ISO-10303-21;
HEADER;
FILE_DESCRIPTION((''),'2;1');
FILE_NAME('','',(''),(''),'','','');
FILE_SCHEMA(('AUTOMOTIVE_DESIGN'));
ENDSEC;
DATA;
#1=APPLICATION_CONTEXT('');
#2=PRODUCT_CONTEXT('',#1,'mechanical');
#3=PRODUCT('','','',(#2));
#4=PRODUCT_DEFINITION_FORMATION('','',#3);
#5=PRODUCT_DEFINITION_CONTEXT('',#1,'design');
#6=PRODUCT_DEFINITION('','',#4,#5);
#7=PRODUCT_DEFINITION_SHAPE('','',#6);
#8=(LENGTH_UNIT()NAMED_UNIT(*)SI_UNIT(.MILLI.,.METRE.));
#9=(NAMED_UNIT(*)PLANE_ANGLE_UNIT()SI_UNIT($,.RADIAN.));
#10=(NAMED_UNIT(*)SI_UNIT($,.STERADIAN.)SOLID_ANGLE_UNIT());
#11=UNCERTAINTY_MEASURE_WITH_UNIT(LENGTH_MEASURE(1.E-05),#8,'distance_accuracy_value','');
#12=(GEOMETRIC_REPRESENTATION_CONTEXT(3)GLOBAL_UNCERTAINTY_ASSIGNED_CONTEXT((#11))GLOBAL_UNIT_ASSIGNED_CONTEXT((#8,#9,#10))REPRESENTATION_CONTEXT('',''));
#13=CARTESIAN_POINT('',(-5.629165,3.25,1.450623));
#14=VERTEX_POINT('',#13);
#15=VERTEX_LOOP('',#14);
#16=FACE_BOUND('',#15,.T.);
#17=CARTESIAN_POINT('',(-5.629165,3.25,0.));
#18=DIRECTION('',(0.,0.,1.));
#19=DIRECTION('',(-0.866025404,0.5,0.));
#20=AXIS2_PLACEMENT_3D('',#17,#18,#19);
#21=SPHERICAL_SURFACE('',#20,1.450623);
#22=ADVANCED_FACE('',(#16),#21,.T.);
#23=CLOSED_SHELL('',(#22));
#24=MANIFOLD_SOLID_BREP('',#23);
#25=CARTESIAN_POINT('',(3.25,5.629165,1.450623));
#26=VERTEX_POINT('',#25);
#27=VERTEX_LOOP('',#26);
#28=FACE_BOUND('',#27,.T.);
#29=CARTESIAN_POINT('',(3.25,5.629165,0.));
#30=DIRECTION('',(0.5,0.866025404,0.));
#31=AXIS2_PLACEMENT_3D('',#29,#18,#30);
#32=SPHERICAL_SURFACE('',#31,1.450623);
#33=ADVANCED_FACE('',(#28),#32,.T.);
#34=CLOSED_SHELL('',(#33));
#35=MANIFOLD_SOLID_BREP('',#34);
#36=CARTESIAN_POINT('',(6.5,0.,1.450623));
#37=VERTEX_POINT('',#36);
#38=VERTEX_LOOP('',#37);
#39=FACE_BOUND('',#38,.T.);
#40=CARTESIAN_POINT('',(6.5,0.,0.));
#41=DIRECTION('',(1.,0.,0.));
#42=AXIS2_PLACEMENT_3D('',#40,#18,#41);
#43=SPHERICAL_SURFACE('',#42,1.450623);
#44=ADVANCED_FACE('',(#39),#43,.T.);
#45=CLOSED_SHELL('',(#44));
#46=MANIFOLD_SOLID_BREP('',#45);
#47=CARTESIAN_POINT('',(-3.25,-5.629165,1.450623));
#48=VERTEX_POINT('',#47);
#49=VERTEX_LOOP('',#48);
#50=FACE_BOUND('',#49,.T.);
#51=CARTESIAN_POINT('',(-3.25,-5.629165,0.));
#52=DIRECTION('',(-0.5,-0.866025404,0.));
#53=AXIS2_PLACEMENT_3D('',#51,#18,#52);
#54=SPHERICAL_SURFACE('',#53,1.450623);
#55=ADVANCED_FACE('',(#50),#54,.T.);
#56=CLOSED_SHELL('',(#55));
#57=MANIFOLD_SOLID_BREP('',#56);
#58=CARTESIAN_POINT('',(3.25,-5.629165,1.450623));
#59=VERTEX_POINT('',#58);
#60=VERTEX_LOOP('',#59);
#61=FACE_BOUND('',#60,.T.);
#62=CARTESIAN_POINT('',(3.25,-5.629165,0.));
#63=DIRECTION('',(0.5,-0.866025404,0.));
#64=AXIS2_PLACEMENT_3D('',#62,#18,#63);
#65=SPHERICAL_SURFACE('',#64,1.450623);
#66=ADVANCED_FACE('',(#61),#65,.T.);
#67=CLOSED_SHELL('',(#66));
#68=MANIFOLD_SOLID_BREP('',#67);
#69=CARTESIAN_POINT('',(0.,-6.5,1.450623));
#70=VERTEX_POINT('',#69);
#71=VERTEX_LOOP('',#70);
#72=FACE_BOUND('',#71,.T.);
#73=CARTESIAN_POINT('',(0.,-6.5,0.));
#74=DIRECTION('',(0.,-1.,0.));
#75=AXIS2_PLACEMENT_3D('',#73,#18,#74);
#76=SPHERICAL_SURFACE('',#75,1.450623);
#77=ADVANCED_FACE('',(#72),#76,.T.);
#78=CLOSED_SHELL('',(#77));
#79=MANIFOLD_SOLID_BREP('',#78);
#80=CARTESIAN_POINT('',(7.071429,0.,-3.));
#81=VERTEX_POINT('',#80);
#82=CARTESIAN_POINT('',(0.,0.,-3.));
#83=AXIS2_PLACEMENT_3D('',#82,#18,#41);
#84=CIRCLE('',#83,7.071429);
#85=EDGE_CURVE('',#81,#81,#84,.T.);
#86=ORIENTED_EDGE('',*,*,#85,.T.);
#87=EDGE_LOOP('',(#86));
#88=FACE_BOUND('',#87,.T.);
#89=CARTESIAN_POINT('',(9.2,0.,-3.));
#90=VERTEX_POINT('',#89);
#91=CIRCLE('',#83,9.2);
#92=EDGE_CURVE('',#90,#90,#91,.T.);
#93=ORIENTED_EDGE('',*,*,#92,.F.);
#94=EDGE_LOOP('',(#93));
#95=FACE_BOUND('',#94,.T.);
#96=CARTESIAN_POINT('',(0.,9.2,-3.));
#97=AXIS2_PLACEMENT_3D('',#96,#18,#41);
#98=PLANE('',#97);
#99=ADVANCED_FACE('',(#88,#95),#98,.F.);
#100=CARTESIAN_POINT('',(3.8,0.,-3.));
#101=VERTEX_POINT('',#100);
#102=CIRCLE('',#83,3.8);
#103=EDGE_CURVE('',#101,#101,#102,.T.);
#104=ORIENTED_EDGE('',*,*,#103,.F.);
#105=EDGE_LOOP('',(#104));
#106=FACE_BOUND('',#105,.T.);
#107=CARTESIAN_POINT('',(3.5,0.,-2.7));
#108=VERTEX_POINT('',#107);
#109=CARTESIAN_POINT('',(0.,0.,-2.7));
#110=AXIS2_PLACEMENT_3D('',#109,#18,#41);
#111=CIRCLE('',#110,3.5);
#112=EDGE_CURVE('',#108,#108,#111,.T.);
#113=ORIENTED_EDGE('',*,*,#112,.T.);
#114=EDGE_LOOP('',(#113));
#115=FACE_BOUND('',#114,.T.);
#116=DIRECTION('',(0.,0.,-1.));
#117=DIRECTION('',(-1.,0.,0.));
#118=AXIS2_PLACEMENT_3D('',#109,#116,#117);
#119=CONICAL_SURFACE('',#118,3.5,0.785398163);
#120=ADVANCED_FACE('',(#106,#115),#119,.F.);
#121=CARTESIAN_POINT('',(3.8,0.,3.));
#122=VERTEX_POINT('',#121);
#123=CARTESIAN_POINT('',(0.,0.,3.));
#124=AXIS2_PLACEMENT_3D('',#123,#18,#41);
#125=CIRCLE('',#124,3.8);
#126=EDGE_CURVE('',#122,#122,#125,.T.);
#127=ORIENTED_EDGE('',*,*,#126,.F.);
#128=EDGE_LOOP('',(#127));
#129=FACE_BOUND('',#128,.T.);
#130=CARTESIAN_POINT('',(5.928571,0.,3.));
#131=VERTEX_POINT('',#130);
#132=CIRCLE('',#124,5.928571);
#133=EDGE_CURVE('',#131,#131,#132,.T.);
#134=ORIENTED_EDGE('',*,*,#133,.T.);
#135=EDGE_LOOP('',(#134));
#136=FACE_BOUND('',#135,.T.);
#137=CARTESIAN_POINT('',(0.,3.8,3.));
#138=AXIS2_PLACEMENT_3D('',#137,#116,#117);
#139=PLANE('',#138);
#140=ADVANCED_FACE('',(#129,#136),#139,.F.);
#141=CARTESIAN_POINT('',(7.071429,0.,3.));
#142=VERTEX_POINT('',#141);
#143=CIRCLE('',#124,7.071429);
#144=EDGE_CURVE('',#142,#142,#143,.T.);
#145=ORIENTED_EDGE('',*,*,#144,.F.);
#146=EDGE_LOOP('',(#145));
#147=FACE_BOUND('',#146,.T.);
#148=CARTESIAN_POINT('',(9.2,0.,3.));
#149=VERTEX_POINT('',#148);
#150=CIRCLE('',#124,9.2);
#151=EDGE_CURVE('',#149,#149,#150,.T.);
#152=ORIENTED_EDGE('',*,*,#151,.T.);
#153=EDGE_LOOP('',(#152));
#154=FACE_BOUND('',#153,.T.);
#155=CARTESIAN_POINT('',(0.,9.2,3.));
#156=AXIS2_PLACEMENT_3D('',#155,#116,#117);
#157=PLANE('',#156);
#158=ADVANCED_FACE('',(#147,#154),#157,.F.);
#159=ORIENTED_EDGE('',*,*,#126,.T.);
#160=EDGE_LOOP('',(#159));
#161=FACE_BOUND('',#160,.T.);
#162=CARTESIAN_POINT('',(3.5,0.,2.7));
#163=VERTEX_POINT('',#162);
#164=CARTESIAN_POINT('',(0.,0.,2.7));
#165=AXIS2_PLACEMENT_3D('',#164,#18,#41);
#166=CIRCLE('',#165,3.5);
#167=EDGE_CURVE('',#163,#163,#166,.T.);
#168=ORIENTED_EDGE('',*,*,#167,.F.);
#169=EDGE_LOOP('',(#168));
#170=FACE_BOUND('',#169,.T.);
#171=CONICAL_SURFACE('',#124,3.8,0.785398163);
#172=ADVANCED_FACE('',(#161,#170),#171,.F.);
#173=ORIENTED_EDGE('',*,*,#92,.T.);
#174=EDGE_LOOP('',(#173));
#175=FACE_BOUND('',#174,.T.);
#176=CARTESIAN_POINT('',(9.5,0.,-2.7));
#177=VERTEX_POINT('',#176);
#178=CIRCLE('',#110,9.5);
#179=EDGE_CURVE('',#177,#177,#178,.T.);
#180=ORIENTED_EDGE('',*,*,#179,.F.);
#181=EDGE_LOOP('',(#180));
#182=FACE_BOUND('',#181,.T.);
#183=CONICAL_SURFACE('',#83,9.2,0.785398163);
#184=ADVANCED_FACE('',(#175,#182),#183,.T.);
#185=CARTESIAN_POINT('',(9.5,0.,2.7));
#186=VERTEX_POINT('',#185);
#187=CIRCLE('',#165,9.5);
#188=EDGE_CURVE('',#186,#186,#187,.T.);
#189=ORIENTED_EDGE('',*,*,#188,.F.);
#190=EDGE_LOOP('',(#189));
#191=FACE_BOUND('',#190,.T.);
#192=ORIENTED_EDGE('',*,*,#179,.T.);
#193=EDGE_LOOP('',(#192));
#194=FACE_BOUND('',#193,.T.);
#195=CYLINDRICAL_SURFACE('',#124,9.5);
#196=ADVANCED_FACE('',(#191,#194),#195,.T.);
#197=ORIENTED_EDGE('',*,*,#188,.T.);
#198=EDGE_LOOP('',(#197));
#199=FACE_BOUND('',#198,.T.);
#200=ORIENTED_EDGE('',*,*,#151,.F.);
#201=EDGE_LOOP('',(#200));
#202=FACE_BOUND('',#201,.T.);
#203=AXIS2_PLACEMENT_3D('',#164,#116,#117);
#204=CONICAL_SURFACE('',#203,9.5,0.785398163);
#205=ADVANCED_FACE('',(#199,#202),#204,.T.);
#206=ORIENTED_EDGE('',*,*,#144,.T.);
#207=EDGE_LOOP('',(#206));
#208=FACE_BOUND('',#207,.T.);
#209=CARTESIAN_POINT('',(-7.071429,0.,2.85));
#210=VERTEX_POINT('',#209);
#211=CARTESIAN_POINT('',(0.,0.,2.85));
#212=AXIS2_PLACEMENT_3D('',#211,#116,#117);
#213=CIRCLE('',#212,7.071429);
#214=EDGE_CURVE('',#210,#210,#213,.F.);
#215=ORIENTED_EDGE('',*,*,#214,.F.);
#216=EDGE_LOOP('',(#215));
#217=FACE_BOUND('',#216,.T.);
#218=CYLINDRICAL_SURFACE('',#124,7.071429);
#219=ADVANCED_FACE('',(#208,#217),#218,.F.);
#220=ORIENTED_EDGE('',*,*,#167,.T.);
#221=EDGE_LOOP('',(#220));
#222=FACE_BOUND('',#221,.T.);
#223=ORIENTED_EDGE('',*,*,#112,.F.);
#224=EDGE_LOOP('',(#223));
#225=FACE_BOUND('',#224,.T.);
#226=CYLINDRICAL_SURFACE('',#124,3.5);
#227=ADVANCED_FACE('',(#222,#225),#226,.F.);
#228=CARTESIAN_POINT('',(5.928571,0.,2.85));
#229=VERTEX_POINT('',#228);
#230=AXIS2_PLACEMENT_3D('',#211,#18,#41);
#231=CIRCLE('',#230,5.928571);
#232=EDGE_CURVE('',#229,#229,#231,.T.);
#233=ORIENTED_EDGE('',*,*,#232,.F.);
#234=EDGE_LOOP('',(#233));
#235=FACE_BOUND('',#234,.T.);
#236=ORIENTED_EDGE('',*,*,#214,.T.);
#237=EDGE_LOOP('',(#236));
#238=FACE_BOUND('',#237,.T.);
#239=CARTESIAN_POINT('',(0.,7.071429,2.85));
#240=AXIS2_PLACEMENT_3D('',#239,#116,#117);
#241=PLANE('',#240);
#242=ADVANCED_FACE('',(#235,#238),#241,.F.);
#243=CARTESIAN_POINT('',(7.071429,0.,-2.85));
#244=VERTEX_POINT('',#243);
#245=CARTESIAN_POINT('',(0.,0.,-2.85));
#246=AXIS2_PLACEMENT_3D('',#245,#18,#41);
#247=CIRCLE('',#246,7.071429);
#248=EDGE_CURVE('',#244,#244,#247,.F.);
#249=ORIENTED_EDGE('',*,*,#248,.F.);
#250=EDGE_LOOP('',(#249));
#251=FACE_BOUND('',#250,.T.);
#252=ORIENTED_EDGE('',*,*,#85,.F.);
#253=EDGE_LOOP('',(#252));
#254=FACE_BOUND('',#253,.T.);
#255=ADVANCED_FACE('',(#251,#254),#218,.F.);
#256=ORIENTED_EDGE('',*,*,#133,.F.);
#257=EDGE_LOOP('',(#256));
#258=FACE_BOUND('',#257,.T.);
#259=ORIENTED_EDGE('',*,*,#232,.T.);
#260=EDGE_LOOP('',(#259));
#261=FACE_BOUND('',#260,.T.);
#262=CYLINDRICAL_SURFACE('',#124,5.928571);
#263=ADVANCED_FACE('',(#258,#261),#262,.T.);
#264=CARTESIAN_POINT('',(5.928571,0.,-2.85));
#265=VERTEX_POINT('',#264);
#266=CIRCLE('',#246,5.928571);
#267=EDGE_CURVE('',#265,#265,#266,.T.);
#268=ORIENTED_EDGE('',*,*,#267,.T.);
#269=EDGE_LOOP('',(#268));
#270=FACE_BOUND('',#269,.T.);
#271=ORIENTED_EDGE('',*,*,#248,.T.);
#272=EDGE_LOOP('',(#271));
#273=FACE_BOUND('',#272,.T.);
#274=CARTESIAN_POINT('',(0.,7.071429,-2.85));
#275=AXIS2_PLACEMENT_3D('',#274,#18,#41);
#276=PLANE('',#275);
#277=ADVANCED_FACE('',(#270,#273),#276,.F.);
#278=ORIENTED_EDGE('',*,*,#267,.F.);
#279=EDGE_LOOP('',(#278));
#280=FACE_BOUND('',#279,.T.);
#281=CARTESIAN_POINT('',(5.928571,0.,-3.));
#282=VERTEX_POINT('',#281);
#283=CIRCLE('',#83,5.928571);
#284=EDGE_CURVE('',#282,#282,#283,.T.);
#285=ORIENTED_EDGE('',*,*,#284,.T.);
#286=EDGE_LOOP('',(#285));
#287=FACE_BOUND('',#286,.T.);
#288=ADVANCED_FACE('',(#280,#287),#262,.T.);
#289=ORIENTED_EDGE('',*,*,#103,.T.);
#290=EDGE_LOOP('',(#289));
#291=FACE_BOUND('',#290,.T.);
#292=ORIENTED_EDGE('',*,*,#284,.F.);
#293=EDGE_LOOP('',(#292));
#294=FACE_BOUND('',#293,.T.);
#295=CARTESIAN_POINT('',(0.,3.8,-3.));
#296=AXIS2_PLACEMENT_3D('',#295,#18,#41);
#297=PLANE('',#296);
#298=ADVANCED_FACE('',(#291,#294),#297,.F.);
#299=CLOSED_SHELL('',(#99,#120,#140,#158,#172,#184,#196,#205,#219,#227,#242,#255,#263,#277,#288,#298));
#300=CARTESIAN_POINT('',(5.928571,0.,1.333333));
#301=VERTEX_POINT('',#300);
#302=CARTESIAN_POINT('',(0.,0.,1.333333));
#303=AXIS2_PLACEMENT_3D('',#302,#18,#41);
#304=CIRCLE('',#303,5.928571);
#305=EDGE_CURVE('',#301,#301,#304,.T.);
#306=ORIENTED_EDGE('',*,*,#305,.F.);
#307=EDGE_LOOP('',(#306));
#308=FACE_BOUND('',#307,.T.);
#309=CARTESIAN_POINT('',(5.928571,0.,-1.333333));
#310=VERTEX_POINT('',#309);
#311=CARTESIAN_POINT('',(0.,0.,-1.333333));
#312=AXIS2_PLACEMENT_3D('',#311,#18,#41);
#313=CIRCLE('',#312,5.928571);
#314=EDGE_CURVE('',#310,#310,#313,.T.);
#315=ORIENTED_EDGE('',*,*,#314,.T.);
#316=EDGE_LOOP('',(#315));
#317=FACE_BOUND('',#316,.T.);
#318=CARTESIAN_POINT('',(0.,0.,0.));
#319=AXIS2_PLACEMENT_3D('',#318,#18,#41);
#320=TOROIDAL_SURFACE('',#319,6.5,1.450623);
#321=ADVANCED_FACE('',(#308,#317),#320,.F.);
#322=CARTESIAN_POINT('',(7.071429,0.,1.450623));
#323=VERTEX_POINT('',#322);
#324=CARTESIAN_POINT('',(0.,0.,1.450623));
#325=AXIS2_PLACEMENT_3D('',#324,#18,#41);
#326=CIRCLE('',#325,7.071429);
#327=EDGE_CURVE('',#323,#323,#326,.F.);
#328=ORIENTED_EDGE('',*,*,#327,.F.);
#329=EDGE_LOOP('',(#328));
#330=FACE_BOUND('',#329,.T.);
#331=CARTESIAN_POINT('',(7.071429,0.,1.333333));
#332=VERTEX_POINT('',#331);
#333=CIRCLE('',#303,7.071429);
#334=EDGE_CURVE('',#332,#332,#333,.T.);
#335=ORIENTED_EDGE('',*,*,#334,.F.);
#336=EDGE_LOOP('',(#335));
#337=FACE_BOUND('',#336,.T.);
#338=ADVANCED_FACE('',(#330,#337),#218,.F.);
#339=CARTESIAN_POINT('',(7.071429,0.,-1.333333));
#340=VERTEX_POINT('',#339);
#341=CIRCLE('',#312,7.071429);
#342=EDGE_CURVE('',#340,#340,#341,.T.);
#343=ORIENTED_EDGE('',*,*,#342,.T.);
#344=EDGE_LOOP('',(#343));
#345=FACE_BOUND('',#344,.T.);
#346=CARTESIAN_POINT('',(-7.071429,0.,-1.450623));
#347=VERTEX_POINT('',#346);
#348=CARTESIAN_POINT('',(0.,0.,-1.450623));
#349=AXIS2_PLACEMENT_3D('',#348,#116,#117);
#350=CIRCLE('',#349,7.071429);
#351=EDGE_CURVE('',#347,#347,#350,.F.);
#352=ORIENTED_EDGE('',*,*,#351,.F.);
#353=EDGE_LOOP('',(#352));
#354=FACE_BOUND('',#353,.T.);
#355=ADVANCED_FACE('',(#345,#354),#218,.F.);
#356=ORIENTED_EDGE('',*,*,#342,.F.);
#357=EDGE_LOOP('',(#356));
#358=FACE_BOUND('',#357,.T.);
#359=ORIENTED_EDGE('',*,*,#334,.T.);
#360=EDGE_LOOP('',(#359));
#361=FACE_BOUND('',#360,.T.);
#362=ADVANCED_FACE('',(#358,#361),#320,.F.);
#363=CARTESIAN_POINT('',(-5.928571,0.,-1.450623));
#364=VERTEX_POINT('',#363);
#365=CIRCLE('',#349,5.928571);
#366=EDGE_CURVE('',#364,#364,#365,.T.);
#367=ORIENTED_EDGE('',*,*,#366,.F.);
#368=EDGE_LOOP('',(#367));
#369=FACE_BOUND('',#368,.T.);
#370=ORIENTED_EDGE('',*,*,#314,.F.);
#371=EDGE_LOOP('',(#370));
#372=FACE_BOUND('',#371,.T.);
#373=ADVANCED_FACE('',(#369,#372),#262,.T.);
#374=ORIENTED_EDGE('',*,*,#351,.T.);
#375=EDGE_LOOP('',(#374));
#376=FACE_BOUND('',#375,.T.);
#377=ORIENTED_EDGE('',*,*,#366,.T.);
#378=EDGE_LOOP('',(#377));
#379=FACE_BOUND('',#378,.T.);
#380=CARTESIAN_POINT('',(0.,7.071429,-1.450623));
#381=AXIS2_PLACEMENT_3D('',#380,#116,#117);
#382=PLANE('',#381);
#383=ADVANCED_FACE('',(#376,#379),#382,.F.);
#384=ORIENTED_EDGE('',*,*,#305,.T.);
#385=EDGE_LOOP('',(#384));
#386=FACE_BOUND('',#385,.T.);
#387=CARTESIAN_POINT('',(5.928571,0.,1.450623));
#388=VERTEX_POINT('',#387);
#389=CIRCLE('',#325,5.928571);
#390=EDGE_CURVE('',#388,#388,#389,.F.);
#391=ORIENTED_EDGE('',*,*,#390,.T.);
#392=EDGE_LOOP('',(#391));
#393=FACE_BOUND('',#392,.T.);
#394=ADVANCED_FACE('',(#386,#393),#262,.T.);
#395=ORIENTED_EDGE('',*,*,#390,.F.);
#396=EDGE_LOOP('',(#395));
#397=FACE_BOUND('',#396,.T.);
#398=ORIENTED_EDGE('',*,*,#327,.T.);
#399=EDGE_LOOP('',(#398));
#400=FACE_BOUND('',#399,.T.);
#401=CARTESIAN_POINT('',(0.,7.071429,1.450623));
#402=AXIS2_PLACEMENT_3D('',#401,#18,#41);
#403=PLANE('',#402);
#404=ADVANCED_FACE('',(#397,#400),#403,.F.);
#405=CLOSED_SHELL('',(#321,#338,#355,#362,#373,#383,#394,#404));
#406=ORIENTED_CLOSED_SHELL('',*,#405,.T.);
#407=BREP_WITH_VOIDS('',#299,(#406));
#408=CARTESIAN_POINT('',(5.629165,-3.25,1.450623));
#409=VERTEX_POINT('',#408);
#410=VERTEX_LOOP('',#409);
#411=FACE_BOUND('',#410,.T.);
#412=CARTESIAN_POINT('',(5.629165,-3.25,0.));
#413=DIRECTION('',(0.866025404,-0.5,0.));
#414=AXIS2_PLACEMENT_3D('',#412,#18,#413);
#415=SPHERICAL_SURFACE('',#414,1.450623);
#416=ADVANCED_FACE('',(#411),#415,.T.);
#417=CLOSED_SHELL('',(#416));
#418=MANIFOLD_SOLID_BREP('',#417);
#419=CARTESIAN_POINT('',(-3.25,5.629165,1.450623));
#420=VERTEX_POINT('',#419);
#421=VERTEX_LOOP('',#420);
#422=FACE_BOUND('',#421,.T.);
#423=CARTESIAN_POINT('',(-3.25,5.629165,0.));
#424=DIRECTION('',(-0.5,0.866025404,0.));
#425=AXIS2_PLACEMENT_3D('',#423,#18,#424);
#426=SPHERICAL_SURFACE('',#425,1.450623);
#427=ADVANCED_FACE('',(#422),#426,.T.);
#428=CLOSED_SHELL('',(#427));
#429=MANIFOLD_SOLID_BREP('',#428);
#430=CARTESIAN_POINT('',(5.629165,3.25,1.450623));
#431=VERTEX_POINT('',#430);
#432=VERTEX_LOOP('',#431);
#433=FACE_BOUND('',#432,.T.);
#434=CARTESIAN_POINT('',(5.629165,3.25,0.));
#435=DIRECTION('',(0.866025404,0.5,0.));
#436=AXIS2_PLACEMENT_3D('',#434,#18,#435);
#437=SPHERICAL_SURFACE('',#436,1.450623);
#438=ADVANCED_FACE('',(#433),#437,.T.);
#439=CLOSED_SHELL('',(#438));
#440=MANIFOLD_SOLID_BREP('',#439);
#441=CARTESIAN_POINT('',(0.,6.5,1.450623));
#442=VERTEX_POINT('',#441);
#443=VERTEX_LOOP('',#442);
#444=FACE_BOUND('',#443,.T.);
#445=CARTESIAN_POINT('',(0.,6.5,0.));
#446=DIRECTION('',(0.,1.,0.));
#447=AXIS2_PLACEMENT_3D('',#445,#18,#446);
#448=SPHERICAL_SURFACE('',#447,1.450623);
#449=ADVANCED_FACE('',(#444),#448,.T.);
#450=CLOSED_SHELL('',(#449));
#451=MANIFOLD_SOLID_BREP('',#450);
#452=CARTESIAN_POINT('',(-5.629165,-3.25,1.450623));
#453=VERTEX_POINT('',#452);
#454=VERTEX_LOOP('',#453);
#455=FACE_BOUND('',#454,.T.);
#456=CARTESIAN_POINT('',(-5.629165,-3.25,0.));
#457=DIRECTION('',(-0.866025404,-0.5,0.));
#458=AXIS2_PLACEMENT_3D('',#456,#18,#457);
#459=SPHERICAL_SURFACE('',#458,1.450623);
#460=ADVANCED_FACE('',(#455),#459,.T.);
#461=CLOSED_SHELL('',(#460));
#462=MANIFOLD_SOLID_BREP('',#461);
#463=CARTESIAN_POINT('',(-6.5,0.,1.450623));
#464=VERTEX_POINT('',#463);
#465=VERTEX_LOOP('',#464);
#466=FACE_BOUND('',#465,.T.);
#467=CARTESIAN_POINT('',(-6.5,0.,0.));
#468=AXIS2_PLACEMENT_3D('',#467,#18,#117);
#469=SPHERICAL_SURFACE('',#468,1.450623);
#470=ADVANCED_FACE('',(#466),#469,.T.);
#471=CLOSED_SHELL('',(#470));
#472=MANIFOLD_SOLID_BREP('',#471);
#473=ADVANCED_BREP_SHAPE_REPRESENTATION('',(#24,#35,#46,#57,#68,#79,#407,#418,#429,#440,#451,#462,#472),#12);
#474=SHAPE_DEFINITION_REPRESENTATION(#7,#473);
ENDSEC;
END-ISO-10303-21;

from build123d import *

# Parameters (mm, degrees)
CIRPATTERN1_COUNT = 12
SKETCH5_W         = 1.399376551
SKETCH5_H         = 1.142857142


with BuildPart() as part:
    # Sketch6 → Revolve1 (revolve)
    with BuildSketch(Plane(origin=(0, 0, 0), x_dir=(0, 0, -1), z_dir=(1, 0, 0))):
        with BuildLine():
            Line((-3, 9.2), (-3, 7.071428571))
            Line((-3, 7.071428571), (-1.333333333, 7.071428571))
            ThreePointArc((-1.333333333, 7.071428571), (0, 7.950623449), (1.333333333, 7.071428571))
            Line((1.333333333, 7.071428571), (3, 7.071428571))
            Line((3, 7.071428571), (3, 9.2))
            Line((3, 9.2), (2.7, 9.5))
            Line((2.7, 9.5), (-2.7, 9.5))
            Line((-2.7, 9.5), (-3, 9.2))
        make_face()
        with BuildLine():
            Line((-3, 3.8), (-3, 5.928571429))
            Line((-3, 5.928571429), (-1.333333333, 5.928571429))
            ThreePointArc((-1.333333333, 5.928571429), (0, 5.049376551), (1.333333333, 5.928571429))
            Line((1.333333333, 5.928571429), (3, 5.928571429))
            Line((3, 5.928571429), (3, 3.8))
            Line((3, 3.8), (2.7, 3.5))
            Line((2.7, 3.5), (-2.7, 3.5))
            Line((-2.7, 3.5), (-3, 3.8))
        make_face()
    revolve(axis=Axis((0, 0, 3), (0, 0, -1)))



with BuildPart() as body_2:
    # Sketch4 → Revolve2 (revolve)
    with BuildSketch(Plane(origin=(0, 0, 0), x_dir=(0, 0, -1), z_dir=(1, 0, 0))):
        with BuildLine():
            Line((-1.450623449, 6.5), (1.450623449, 6.5))
            ThreePointArc((1.450623449, 6.5), (0, 7.950623449), (-1.450623449, 6.5))
        make_face()
    revolve(axis=Axis((0, 6.5, 1.450623449), (0, 0, -1)))


with BuildPart() as cirpattern1_1:
    # CirPattern1: pattern copy
    add(body_2.part.rotate(Axis((0, 0, -3), (0, 0, 1)), 1 * 360 / CIRPATTERN1_COUNT))


with BuildPart() as cirpattern1_2:
    # CirPattern1: pattern copy
    add(body_2.part.rotate(Axis((0, 0, -3), (0, 0, 1)), 2 * 360 / CIRPATTERN1_COUNT))


with BuildPart() as cirpattern1_3:
    # CirPattern1: pattern copy
    add(body_2.part.rotate(Axis((0, 0, -3), (0, 0, 1)), 3 * 360 / CIRPATTERN1_COUNT))


with BuildPart() as cirpattern1_4:
    # CirPattern1: pattern copy
    add(body_2.part.rotate(Axis((0, 0, -3), (0, 0, 1)), 4 * 360 / CIRPATTERN1_COUNT))


with BuildPart() as cirpattern1_5:
    # CirPattern1: pattern copy
    add(body_2.part.rotate(Axis((0, 0, -3), (0, 0, 1)), 5 * 360 / CIRPATTERN1_COUNT))


with BuildPart() as cirpattern1_6:
    # CirPattern1: pattern copy
    add(body_2.part.rotate(Axis((0, 0, -3), (0, 0, 1)), 6 * 360 / CIRPATTERN1_COUNT))


with BuildPart() as cirpattern1_7:
    # CirPattern1: pattern copy
    add(body_2.part.rotate(Axis((0, 0, -3), (0, 0, 1)), 7 * 360 / CIRPATTERN1_COUNT))


with BuildPart() as cirpattern1_8:
    # CirPattern1: pattern copy
    add(body_2.part.rotate(Axis((0, 0, -3), (0, 0, 1)), 8 * 360 / CIRPATTERN1_COUNT))


with BuildPart() as cirpattern1_9:
    # CirPattern1: pattern copy
    add(body_2.part.rotate(Axis((0, 0, -3), (0, 0, 1)), 9 * 360 / CIRPATTERN1_COUNT))


with BuildPart() as cirpattern1_10:
    # CirPattern1: pattern copy
    add(body_2.part.rotate(Axis((0, 0, -3), (0, 0, 1)), 10 * 360 / CIRPATTERN1_COUNT))


with BuildPart() as cirpattern1_11:
    # CirPattern1: pattern copy
    add(body_2.part.rotate(Axis((0, 0, -3), (0, 0, 1)), 11 * 360 / CIRPATTERN1_COUNT))


with BuildPart() as part_1:
    add(part.part)

    add(body_2.part)  # Revolve3 merges body 2

    add(cirpattern1_1.part)  # Revolve3 merges CirPattern1_1

    add(cirpattern1_2.part)  # Revolve3 merges CirPattern1_2

    add(cirpattern1_3.part)  # Revolve3 merges CirPattern1_3

    add(cirpattern1_4.part)  # Revolve3 merges CirPattern1_4

    add(cirpattern1_5.part)  # Revolve3 merges CirPattern1_5

    add(cirpattern1_6.part)  # Revolve3 merges CirPattern1_6

    add(cirpattern1_7.part)  # Revolve3 merges CirPattern1_7

    add(cirpattern1_8.part)  # Revolve3 merges CirPattern1_8

    add(cirpattern1_9.part)  # Revolve3 merges CirPattern1_9

    add(cirpattern1_10.part)  # Revolve3 merges CirPattern1_10

    add(cirpattern1_11.part)  # Revolve3 merges CirPattern1_11
    # Sketch5 → Revolve3 (revolve)
    with BuildSketch(Plane(origin=(0, 0, 0), x_dir=(0, 0, -1), z_dir=(1, 0, 0))):
        with Locations((-2.150311724, 6.5)):
            Rectangle(SKETCH5_W, SKETCH5_H)
        with Locations((2.150311724, 6.5)):
            Rectangle(SKETCH5_W, SKETCH5_H)
    revolve(axis=Axis((0, 0, 3), (0, 0, -1)))


solid = part_1.part
